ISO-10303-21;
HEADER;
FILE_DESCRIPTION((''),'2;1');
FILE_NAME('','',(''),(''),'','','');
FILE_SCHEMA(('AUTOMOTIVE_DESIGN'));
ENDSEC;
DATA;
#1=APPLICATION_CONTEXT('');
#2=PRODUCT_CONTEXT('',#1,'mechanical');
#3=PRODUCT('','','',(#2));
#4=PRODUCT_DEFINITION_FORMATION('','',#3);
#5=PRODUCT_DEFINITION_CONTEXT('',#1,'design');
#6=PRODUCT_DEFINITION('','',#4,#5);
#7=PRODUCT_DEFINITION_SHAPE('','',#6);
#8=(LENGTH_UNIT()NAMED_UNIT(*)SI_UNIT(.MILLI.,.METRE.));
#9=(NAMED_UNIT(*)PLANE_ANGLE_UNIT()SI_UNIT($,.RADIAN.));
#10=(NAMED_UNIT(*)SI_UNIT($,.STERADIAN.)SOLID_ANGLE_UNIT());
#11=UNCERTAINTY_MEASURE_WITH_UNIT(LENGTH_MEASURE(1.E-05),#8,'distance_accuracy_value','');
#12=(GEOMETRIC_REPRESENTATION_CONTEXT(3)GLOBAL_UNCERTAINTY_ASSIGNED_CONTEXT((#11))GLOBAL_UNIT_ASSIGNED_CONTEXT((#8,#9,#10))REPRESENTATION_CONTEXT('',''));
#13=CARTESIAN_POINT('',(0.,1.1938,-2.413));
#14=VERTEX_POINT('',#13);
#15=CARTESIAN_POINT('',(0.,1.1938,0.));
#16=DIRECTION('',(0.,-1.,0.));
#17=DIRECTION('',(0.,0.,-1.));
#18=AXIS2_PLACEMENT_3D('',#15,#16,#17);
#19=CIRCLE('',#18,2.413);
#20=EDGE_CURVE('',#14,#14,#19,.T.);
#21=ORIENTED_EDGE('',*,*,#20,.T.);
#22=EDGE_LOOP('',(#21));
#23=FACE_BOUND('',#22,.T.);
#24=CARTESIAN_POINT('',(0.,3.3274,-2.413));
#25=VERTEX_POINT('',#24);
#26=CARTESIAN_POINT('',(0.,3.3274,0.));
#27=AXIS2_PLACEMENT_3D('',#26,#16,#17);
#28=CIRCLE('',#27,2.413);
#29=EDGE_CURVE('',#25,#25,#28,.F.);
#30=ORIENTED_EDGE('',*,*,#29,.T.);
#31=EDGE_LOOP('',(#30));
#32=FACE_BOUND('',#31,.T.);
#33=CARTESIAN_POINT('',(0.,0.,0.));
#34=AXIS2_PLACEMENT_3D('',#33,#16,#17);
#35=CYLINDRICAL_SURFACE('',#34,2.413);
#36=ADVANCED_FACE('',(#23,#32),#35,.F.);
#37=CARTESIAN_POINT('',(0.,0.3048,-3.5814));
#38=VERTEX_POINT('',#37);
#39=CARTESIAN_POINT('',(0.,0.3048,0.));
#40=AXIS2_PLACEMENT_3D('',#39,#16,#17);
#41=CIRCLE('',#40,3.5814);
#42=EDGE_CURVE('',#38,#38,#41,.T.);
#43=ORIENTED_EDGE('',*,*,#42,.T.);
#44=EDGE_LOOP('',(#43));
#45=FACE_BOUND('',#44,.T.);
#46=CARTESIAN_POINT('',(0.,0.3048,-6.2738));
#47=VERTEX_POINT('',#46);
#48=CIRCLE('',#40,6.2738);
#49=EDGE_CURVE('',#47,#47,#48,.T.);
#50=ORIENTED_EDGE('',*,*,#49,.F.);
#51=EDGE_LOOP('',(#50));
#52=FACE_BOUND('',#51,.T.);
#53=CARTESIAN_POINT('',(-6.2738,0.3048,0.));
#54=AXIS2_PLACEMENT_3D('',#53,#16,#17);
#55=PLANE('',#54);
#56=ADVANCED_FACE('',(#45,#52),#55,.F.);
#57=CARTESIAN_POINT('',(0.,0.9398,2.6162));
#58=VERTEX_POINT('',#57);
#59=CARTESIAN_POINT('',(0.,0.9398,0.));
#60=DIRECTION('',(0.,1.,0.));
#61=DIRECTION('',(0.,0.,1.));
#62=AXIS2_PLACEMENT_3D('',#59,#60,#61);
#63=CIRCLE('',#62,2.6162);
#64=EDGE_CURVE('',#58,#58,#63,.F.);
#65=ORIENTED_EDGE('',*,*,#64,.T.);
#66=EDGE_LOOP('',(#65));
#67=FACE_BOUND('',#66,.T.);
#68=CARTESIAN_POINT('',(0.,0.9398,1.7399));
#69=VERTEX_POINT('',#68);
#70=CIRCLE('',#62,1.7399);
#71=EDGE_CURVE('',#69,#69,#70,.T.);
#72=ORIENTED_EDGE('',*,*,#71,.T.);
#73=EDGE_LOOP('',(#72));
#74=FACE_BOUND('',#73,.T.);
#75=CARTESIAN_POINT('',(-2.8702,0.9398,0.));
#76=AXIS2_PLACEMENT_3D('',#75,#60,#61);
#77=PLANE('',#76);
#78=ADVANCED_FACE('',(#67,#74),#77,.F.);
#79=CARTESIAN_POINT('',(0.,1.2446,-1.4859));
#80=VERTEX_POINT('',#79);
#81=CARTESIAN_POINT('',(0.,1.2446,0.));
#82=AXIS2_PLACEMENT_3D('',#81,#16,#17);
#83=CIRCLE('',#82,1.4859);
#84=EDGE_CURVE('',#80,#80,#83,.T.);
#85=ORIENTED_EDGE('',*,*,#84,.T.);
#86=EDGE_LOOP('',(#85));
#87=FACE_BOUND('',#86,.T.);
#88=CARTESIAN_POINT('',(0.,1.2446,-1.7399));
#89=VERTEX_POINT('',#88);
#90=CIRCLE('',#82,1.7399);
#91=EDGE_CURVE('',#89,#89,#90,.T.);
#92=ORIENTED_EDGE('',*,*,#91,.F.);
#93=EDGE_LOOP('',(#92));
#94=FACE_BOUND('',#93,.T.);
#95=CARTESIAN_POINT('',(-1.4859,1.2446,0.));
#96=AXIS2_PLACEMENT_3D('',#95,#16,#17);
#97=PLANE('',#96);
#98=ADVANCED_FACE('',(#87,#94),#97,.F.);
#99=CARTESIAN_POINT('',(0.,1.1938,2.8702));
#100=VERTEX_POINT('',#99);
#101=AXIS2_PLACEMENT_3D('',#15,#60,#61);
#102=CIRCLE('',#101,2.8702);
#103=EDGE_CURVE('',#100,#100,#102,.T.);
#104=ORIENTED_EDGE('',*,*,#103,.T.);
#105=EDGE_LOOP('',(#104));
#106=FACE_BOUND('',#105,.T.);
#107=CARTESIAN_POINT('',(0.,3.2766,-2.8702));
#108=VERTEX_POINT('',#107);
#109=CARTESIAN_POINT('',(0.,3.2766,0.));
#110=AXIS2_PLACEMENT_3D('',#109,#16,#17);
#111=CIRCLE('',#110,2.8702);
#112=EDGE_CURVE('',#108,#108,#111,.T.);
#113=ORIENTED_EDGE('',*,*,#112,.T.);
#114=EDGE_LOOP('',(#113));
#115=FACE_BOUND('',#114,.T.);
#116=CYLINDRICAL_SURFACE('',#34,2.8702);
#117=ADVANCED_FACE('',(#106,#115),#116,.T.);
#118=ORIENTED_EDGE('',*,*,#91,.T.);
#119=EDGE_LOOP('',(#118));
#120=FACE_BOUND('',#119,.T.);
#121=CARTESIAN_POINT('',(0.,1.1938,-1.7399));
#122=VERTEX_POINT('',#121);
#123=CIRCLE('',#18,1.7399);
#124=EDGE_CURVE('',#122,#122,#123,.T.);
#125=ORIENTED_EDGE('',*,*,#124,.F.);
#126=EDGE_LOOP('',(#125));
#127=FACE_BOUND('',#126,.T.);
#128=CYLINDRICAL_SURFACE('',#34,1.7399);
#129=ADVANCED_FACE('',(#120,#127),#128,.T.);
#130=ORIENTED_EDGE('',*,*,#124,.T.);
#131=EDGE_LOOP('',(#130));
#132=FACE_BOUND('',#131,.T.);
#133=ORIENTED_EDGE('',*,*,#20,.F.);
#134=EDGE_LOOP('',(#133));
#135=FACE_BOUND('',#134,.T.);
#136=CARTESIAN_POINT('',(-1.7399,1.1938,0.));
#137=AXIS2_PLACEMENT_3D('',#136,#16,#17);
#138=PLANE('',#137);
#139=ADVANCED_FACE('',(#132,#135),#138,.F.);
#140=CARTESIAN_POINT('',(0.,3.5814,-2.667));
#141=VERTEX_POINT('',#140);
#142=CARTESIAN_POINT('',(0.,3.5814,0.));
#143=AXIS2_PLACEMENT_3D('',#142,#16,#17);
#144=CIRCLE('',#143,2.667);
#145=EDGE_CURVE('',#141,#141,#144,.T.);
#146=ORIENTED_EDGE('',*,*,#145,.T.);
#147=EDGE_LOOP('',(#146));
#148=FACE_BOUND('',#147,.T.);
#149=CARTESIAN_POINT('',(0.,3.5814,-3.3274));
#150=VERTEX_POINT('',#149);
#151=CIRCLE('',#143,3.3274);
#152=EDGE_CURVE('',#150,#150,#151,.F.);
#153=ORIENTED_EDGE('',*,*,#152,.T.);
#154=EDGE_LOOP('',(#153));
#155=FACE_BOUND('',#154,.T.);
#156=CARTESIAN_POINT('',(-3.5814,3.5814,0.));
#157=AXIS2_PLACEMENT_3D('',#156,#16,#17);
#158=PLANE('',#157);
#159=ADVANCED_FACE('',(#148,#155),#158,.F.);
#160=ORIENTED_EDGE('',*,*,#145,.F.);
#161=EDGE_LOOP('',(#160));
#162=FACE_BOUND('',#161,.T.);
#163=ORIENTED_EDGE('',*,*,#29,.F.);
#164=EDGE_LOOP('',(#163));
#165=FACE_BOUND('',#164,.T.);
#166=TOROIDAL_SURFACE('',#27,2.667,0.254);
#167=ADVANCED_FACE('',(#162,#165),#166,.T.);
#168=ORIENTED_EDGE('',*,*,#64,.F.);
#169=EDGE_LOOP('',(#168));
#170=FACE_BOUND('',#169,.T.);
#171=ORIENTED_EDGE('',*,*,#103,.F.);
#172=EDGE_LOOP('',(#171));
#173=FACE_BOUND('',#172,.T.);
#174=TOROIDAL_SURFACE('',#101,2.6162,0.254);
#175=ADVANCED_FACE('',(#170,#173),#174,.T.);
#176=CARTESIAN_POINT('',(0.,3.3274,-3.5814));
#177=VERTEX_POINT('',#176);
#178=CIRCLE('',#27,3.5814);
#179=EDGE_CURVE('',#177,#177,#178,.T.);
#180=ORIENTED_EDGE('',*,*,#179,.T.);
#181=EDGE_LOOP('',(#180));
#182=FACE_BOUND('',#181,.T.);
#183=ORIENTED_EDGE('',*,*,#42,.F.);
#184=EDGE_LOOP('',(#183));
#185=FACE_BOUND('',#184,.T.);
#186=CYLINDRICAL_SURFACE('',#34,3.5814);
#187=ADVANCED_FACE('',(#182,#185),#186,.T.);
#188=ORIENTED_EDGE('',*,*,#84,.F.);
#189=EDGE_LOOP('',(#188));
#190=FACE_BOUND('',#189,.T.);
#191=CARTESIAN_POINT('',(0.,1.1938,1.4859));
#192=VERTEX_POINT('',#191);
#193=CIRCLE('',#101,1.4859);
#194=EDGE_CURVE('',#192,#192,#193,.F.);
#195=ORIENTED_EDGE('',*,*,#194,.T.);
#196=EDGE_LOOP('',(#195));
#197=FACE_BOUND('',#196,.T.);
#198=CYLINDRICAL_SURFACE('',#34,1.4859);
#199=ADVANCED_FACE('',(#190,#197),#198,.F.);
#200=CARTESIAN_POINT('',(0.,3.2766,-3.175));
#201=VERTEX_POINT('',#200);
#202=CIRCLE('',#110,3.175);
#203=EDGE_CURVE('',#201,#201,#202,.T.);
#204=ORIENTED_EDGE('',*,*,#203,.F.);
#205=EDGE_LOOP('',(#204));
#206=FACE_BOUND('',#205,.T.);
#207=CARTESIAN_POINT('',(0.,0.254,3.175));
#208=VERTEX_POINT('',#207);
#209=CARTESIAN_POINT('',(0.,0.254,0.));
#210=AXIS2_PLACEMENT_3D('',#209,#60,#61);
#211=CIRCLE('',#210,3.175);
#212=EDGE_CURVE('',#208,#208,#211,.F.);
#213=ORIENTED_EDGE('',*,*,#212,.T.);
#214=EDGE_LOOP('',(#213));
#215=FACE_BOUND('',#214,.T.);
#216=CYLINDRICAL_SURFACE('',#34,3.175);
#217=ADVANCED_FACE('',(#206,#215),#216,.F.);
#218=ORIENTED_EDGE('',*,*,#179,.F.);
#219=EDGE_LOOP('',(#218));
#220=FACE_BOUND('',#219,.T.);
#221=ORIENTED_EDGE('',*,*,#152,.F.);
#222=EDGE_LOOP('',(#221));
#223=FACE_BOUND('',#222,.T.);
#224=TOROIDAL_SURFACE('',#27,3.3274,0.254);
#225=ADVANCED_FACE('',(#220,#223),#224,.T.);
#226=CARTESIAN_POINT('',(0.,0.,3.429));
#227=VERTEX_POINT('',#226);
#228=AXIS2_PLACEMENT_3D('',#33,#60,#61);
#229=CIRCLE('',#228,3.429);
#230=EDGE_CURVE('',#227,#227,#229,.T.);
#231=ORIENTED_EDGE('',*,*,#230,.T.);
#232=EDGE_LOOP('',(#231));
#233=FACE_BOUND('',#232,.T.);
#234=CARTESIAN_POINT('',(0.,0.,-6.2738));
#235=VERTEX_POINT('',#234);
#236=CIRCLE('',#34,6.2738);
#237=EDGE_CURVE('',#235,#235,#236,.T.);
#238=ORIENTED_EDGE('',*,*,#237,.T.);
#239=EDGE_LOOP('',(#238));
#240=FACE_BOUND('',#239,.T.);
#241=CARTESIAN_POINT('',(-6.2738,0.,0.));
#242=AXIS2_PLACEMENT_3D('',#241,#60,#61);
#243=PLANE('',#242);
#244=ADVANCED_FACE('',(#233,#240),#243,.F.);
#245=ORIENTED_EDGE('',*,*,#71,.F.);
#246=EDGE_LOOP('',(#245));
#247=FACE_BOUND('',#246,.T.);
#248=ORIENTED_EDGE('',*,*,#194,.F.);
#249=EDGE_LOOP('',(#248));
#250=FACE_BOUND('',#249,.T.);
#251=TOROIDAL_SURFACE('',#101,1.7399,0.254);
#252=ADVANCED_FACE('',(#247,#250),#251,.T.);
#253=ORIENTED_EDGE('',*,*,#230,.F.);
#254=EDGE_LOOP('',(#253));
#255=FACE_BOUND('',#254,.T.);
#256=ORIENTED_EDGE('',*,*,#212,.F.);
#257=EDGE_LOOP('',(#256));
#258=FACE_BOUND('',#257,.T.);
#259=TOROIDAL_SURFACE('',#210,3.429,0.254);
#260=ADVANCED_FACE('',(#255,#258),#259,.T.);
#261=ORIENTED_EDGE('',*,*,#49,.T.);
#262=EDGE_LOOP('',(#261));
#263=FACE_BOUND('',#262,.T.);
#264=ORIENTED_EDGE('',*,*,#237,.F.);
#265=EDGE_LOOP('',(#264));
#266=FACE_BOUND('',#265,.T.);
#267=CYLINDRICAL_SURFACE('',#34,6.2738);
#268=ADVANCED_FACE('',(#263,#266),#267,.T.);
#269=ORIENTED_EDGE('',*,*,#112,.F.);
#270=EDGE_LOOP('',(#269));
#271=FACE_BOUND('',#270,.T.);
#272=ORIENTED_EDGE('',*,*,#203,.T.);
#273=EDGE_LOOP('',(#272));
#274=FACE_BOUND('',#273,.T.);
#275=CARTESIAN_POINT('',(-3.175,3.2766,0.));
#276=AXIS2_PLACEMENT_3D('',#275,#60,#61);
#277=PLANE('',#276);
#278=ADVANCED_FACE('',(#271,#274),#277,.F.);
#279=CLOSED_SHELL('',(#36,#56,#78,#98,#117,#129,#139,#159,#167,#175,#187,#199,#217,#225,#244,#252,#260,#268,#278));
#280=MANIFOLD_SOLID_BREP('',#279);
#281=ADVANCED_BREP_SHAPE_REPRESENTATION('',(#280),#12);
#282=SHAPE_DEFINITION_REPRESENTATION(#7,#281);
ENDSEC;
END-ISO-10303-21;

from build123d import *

# Parameters (mm, degrees)
FILLET1_R = 0.254


with BuildPart() as part:
    # Sketch1 → Revolve1 (revolve)
    with BuildSketch(Plane.XY, mode=Mode.PRIVATE) as revolve1_sk:
        Polygon((-6.2738, 0), (-3.175, 0), (-3.175, 3.2766), (-2.8702, 3.2766), (-2.8702, 0.9398), (-1.4859, 0.9398), (-1.4859, 1.2446), (-1.7399, 1.2446), (-1.7399, 1.1938), (-2.413, 1.1938), (-2.413, 3.5814), (-3.5814, 3.5814), (-3.5814, 0.3048), (-6.2738, 0.3048), align=None)
    revolve(revolve1_sk.sketch.rotate(Axis((0, 0, 0), (0, 1, 0)), 270), axis=Axis((0, 0, 0), (0, 1, 0)))

    # Fillet1
    fillet1_edges = [part.edges().sort_by_distance(p)[0] for p in [
        (0, 0.9398, 2.8702),
        (0, 0.9398, 1.4859),
        (0, 3.5814, 2.413),
        (0, 3.5814, 3.5814),
        (0, 0, 3.175),
    ]]
    fillet(fillet1_edges, radius=FILLET1_R)


solid = part.part
